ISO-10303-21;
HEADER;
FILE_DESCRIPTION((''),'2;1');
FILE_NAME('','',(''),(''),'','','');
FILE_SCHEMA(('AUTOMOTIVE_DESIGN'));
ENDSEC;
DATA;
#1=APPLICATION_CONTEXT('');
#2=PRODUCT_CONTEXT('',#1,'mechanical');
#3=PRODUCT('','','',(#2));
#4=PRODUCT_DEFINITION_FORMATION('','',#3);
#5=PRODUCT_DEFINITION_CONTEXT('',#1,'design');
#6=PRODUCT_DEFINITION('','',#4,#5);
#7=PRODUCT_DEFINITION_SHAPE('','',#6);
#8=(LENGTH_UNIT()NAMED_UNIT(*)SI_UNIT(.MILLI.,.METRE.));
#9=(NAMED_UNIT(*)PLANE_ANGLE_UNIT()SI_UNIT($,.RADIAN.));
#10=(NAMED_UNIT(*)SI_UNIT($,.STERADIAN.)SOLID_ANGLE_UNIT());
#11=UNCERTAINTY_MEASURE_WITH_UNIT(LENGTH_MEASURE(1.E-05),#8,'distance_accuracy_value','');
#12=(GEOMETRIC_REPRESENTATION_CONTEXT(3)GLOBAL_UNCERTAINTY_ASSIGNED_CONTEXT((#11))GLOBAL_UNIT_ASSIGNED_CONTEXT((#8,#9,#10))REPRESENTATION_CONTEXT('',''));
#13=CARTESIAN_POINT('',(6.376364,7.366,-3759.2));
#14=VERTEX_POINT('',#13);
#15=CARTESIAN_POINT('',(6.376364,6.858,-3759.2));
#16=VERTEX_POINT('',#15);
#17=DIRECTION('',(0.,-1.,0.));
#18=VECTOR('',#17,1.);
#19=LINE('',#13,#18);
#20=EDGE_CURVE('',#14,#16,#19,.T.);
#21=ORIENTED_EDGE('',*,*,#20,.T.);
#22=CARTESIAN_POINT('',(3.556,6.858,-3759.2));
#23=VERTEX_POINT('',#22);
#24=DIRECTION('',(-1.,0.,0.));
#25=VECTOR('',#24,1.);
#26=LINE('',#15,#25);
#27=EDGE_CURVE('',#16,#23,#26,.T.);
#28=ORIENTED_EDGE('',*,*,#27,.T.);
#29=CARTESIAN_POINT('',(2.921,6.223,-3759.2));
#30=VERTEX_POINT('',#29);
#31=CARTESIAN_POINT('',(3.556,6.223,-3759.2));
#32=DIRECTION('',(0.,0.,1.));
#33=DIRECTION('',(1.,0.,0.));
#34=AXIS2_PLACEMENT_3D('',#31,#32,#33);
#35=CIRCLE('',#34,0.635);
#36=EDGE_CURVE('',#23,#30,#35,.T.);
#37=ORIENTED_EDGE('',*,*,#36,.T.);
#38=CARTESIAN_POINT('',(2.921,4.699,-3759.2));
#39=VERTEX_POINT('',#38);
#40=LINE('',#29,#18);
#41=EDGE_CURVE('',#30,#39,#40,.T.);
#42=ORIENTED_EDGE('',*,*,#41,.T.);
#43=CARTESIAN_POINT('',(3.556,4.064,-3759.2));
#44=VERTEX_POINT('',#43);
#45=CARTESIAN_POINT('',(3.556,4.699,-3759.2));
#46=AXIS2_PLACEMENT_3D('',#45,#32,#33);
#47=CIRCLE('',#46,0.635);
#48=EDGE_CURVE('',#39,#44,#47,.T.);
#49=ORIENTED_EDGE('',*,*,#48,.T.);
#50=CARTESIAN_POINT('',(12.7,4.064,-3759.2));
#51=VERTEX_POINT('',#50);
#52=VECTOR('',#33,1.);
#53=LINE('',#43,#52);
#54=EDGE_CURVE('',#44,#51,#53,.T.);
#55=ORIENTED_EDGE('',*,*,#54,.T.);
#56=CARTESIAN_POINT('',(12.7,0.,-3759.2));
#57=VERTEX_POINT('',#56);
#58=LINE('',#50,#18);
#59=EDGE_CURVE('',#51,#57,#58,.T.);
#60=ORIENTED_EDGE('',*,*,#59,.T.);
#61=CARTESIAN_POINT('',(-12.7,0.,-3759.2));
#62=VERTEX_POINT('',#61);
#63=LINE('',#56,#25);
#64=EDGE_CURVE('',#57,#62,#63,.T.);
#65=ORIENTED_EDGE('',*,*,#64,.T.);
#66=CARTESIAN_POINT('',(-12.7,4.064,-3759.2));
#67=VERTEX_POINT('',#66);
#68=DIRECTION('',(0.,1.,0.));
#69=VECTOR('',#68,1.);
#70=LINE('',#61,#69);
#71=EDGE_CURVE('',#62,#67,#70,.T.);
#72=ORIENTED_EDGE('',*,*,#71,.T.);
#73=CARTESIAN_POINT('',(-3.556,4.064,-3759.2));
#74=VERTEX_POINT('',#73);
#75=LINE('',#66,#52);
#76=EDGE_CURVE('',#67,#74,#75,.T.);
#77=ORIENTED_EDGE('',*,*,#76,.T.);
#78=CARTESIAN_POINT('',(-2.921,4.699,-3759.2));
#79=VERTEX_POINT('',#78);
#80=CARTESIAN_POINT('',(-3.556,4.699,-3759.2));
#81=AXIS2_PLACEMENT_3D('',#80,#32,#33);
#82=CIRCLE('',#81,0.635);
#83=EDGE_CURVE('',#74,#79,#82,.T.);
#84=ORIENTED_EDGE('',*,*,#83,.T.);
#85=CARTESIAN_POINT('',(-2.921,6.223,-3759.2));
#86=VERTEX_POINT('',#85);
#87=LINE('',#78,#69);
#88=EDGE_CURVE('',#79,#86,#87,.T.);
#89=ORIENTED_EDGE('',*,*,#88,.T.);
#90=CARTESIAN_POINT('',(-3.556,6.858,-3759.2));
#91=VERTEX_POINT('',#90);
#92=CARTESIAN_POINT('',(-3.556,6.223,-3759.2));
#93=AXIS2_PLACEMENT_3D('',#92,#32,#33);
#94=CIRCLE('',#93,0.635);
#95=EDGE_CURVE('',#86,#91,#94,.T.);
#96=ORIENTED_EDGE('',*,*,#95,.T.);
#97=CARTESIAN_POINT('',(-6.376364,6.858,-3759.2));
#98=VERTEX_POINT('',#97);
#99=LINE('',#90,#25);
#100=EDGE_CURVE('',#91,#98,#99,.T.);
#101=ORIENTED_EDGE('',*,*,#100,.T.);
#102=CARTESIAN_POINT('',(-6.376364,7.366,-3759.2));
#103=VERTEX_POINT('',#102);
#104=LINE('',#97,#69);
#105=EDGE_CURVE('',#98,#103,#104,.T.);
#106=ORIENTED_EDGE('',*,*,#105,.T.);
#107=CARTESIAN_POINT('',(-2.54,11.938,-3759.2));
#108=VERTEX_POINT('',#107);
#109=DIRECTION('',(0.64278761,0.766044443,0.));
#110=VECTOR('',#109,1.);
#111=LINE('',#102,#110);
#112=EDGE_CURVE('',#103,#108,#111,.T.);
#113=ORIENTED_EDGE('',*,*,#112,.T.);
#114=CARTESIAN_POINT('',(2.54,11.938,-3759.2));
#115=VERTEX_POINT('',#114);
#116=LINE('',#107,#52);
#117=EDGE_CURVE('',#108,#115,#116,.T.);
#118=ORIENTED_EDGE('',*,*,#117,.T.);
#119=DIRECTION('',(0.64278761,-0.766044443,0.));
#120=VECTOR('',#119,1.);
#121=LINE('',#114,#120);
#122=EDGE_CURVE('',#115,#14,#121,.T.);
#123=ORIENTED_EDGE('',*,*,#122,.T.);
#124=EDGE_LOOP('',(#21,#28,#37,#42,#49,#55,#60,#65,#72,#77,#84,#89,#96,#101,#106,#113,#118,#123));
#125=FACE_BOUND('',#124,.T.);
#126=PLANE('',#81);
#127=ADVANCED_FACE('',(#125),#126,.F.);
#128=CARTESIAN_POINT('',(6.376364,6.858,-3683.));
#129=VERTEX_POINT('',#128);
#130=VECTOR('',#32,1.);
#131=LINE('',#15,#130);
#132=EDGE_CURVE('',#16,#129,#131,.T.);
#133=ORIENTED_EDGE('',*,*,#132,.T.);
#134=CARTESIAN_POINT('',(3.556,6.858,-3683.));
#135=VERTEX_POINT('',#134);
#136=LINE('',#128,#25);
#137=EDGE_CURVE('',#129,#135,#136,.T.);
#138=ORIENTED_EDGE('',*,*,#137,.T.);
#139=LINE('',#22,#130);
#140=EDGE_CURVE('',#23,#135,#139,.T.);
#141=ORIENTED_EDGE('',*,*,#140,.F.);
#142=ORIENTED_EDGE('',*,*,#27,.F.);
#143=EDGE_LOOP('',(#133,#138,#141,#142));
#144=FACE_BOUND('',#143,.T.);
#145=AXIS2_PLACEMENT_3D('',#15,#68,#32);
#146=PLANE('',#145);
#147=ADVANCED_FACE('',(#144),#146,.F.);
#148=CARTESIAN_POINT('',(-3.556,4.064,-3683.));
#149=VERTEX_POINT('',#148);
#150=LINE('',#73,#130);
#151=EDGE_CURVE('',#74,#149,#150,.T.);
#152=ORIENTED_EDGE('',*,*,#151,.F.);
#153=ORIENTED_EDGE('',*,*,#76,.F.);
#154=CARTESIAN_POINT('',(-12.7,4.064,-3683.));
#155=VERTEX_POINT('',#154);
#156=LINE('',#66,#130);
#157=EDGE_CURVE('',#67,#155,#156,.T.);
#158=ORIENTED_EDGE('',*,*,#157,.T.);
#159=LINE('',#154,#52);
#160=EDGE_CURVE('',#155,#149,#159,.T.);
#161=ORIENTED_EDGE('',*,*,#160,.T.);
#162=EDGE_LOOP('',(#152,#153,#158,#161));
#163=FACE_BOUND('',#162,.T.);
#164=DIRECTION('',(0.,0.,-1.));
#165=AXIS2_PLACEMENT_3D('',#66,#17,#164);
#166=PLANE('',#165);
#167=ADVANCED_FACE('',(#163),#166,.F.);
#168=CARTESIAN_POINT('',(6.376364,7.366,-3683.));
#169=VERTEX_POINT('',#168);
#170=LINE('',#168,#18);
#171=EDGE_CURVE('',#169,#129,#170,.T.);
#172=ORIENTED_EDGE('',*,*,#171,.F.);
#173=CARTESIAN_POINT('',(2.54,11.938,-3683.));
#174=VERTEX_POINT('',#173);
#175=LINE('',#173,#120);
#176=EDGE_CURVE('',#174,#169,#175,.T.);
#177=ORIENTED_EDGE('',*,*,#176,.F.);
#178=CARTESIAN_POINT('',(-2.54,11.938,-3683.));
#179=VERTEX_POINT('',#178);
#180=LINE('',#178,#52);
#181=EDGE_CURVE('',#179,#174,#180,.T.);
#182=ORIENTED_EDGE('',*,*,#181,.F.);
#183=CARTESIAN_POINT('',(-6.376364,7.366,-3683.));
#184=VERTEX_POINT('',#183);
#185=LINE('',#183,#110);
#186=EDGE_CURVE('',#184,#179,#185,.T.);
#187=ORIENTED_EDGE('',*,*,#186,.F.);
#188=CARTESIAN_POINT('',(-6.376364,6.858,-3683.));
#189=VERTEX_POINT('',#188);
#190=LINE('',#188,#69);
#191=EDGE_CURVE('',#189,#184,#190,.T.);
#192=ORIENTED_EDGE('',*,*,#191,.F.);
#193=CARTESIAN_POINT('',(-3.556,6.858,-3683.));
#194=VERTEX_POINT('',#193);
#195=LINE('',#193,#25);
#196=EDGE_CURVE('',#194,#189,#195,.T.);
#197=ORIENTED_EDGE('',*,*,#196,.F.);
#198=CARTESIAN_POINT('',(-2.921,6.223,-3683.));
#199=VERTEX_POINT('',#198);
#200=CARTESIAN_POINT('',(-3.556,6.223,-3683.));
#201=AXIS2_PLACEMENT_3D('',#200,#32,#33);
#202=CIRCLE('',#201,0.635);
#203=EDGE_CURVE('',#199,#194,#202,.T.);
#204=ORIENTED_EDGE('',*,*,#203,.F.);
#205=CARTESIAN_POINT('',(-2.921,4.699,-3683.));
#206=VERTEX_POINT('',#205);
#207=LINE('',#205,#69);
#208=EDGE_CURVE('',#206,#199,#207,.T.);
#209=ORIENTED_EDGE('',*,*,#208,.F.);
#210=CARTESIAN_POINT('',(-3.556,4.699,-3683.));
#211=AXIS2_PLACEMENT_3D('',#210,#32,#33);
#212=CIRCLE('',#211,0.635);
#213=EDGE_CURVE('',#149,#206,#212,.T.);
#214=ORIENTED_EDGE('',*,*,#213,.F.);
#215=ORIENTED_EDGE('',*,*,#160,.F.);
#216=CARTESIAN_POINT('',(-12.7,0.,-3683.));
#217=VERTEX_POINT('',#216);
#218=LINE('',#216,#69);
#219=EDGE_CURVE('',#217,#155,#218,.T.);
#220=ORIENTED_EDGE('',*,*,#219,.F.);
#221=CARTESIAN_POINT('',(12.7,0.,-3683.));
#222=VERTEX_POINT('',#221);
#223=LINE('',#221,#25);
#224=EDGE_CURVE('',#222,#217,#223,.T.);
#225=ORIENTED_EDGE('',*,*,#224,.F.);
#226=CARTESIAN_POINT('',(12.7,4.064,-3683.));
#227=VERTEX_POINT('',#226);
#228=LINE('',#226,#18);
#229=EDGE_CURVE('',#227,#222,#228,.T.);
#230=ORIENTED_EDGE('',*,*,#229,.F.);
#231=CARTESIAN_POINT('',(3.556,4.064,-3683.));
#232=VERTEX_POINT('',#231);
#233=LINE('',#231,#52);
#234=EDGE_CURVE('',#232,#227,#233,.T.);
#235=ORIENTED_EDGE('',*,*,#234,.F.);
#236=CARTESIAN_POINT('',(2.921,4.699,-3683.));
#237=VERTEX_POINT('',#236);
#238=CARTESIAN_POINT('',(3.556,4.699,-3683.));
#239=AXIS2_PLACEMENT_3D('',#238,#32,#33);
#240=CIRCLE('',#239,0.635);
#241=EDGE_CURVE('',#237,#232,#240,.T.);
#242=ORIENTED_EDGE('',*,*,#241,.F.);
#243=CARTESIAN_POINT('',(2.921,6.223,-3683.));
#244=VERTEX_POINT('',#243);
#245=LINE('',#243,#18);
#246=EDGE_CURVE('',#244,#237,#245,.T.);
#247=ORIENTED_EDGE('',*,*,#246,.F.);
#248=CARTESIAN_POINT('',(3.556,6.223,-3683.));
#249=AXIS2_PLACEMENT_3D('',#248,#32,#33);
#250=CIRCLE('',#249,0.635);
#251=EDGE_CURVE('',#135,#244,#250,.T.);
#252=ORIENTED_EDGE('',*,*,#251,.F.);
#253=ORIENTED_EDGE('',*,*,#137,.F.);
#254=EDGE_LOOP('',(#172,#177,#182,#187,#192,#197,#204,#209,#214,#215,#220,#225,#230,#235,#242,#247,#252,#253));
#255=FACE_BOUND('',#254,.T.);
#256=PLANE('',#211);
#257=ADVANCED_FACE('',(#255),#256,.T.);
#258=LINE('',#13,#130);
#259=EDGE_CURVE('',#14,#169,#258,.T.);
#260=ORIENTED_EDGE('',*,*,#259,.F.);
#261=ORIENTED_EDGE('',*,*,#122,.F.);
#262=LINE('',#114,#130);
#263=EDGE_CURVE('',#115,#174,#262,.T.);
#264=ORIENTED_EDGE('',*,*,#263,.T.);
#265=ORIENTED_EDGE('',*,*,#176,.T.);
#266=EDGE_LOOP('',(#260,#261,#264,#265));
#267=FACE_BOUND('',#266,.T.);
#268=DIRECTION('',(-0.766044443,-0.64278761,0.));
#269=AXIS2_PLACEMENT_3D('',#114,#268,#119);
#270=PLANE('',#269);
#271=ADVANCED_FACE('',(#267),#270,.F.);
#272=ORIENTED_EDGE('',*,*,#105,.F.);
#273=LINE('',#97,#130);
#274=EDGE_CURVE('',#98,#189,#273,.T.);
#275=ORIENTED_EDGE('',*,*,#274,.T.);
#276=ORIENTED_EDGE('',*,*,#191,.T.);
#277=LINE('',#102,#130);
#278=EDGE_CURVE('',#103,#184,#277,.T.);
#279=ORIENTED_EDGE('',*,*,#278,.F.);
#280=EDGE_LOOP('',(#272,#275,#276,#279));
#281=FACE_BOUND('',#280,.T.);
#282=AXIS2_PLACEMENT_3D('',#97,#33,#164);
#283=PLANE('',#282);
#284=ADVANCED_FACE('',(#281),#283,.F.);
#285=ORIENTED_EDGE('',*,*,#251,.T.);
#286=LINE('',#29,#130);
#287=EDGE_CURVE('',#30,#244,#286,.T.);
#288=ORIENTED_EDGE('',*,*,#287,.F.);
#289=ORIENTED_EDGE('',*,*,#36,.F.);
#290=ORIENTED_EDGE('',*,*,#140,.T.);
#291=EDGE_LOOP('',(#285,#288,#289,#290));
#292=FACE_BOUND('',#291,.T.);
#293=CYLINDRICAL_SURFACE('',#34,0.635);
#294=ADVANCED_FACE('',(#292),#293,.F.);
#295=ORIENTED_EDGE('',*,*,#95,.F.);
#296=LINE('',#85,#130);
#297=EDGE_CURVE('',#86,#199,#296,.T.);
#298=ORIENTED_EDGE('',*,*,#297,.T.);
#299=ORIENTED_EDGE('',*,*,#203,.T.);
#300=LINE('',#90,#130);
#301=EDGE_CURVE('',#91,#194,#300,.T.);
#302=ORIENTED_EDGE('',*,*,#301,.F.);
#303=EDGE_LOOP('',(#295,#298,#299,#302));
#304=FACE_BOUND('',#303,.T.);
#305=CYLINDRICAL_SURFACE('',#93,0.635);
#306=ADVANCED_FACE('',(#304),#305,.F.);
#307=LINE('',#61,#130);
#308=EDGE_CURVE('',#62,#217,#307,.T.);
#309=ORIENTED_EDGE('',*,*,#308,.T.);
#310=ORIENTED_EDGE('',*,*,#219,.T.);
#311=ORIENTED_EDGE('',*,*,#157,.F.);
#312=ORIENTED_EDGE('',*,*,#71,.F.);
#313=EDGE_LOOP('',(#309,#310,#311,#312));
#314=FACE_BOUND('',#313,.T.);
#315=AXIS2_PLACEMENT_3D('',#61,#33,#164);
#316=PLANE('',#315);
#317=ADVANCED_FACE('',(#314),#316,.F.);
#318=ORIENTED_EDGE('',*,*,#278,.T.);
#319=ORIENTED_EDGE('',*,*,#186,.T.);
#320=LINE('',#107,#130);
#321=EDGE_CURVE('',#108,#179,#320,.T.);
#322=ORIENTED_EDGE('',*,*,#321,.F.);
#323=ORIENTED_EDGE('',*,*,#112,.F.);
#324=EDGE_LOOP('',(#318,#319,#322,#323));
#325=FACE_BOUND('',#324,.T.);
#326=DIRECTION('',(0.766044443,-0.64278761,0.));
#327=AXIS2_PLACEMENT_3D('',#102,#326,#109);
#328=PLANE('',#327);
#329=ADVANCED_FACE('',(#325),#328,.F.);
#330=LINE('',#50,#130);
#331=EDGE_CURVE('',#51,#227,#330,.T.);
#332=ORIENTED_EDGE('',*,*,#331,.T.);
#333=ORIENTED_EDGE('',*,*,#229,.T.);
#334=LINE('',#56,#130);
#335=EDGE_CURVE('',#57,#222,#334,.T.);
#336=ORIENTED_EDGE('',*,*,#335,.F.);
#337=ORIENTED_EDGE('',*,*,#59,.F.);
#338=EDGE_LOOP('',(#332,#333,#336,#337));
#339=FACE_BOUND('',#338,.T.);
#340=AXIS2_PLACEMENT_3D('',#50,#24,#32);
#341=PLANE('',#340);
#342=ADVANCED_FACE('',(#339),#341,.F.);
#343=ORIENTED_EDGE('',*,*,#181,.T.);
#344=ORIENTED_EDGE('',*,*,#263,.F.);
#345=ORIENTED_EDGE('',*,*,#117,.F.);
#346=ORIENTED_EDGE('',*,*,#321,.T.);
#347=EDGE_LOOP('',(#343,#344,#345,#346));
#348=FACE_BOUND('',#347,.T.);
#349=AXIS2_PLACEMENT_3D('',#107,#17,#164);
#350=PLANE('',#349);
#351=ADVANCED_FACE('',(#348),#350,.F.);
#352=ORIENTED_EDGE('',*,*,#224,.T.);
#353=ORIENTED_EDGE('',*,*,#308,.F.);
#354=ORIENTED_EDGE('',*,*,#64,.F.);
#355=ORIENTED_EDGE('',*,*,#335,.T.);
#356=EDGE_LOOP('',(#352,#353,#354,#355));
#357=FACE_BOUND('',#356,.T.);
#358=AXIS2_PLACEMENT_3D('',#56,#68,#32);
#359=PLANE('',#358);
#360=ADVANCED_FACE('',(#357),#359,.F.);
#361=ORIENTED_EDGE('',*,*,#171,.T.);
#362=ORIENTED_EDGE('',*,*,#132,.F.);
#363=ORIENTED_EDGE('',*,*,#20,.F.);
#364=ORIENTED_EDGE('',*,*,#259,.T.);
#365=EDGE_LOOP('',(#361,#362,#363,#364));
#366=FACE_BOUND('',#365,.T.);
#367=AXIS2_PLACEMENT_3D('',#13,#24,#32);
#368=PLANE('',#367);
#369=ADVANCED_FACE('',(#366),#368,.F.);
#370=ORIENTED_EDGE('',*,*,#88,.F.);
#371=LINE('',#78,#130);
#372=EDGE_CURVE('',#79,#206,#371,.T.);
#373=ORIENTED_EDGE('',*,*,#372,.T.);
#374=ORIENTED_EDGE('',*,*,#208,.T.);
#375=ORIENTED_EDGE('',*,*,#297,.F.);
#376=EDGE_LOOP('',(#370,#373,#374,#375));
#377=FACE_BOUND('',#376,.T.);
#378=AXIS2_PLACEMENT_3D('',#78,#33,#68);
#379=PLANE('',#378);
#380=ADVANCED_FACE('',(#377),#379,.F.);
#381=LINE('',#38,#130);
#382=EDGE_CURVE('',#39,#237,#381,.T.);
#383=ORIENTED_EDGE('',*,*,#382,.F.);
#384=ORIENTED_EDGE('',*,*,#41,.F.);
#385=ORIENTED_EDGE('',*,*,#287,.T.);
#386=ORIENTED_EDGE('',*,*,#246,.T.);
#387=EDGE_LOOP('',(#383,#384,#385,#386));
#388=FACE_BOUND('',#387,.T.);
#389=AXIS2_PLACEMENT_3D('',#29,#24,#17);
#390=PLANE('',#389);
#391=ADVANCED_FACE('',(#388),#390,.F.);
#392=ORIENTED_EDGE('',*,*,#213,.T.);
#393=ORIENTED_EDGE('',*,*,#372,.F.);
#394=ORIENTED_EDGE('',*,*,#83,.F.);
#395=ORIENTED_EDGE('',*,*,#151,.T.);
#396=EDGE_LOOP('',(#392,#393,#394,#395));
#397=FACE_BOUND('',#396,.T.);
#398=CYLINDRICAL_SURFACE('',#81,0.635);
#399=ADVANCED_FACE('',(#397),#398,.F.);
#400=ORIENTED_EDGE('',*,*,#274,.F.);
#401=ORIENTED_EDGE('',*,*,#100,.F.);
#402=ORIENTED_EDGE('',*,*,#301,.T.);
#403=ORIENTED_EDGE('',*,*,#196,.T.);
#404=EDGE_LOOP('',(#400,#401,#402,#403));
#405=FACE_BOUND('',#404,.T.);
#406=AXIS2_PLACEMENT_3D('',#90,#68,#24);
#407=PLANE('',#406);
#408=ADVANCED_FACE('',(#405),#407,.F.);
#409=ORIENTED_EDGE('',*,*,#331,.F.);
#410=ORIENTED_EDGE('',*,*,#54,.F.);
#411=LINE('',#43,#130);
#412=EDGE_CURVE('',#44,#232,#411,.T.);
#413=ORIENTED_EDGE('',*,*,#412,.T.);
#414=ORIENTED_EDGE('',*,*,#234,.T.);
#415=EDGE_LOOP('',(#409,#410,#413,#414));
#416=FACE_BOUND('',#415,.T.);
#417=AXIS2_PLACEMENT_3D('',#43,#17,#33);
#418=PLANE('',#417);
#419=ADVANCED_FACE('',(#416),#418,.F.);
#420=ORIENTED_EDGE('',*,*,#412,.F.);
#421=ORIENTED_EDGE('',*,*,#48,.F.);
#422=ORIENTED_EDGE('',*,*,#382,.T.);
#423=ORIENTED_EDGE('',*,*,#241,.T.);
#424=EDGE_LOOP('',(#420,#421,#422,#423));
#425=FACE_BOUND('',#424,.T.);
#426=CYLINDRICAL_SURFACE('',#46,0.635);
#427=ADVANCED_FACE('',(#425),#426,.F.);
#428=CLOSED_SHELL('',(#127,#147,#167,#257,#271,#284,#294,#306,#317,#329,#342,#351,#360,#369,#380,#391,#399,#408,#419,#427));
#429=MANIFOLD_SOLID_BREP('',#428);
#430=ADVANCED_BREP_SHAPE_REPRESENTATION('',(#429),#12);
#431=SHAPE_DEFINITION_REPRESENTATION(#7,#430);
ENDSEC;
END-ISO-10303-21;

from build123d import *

# Parameters (mm, degrees)
BOSS_EXTRUDE6_DEPTH = 76.2


with BuildPart() as part:
    # Sketch1 → Boss-Extrude6 (new body)
    with BuildSketch(Plane(origin=(0, 0, -3683), x_dir=(-1, 0, 0), z_dir=(0, 0, -1))):
        with BuildLine():
            Line((12.7, 4.064), (3.556, 4.064))
            ThreePointArc((3.556, 4.064), (3.106987194, 4.249987194), (2.921, 4.699))
            Line((2.921, 4.699), (2.921, 6.223))
            ThreePointArc((2.921, 6.223), (3.106987194, 6.672012806), (3.556, 6.858))
            Line((3.556, 6.858), (6.376363549, 6.858))
            Line((6.376363549, 6.858), (6.376363549, 7.365999958))
            Line((6.376363549, 7.365999958), (2.54, 11.938))
            Line((2.54, 11.938), (-2.54, 11.938))
            Line((-2.54, 11.938), (-6.376363549, 7.365999958))
            Line((-6.376363549, 7.365999958), (-6.376363549, 6.858))
            Line((-6.376363549, 6.858), (-3.556, 6.858))
            ThreePointArc((-3.556, 6.858), (-3.106987194, 6.672012806), (-2.921, 6.223))
            Line((-2.921, 6.223), (-2.921, 4.699))
            ThreePointArc((-2.921, 4.699), (-3.106987194, 4.249987194), (-3.556, 4.064))
            Line((-3.556, 4.064), (-12.7, 4.064))
            Line((-12.7, 4.064), (-12.7, 0))
            Line((-12.7, 0), (12.7, 0))
            Line((12.7, 0), (12.7, 4.064))
        make_face()
    extrude(amount=BOSS_EXTRUDE6_DEPTH)


solid = part.part
